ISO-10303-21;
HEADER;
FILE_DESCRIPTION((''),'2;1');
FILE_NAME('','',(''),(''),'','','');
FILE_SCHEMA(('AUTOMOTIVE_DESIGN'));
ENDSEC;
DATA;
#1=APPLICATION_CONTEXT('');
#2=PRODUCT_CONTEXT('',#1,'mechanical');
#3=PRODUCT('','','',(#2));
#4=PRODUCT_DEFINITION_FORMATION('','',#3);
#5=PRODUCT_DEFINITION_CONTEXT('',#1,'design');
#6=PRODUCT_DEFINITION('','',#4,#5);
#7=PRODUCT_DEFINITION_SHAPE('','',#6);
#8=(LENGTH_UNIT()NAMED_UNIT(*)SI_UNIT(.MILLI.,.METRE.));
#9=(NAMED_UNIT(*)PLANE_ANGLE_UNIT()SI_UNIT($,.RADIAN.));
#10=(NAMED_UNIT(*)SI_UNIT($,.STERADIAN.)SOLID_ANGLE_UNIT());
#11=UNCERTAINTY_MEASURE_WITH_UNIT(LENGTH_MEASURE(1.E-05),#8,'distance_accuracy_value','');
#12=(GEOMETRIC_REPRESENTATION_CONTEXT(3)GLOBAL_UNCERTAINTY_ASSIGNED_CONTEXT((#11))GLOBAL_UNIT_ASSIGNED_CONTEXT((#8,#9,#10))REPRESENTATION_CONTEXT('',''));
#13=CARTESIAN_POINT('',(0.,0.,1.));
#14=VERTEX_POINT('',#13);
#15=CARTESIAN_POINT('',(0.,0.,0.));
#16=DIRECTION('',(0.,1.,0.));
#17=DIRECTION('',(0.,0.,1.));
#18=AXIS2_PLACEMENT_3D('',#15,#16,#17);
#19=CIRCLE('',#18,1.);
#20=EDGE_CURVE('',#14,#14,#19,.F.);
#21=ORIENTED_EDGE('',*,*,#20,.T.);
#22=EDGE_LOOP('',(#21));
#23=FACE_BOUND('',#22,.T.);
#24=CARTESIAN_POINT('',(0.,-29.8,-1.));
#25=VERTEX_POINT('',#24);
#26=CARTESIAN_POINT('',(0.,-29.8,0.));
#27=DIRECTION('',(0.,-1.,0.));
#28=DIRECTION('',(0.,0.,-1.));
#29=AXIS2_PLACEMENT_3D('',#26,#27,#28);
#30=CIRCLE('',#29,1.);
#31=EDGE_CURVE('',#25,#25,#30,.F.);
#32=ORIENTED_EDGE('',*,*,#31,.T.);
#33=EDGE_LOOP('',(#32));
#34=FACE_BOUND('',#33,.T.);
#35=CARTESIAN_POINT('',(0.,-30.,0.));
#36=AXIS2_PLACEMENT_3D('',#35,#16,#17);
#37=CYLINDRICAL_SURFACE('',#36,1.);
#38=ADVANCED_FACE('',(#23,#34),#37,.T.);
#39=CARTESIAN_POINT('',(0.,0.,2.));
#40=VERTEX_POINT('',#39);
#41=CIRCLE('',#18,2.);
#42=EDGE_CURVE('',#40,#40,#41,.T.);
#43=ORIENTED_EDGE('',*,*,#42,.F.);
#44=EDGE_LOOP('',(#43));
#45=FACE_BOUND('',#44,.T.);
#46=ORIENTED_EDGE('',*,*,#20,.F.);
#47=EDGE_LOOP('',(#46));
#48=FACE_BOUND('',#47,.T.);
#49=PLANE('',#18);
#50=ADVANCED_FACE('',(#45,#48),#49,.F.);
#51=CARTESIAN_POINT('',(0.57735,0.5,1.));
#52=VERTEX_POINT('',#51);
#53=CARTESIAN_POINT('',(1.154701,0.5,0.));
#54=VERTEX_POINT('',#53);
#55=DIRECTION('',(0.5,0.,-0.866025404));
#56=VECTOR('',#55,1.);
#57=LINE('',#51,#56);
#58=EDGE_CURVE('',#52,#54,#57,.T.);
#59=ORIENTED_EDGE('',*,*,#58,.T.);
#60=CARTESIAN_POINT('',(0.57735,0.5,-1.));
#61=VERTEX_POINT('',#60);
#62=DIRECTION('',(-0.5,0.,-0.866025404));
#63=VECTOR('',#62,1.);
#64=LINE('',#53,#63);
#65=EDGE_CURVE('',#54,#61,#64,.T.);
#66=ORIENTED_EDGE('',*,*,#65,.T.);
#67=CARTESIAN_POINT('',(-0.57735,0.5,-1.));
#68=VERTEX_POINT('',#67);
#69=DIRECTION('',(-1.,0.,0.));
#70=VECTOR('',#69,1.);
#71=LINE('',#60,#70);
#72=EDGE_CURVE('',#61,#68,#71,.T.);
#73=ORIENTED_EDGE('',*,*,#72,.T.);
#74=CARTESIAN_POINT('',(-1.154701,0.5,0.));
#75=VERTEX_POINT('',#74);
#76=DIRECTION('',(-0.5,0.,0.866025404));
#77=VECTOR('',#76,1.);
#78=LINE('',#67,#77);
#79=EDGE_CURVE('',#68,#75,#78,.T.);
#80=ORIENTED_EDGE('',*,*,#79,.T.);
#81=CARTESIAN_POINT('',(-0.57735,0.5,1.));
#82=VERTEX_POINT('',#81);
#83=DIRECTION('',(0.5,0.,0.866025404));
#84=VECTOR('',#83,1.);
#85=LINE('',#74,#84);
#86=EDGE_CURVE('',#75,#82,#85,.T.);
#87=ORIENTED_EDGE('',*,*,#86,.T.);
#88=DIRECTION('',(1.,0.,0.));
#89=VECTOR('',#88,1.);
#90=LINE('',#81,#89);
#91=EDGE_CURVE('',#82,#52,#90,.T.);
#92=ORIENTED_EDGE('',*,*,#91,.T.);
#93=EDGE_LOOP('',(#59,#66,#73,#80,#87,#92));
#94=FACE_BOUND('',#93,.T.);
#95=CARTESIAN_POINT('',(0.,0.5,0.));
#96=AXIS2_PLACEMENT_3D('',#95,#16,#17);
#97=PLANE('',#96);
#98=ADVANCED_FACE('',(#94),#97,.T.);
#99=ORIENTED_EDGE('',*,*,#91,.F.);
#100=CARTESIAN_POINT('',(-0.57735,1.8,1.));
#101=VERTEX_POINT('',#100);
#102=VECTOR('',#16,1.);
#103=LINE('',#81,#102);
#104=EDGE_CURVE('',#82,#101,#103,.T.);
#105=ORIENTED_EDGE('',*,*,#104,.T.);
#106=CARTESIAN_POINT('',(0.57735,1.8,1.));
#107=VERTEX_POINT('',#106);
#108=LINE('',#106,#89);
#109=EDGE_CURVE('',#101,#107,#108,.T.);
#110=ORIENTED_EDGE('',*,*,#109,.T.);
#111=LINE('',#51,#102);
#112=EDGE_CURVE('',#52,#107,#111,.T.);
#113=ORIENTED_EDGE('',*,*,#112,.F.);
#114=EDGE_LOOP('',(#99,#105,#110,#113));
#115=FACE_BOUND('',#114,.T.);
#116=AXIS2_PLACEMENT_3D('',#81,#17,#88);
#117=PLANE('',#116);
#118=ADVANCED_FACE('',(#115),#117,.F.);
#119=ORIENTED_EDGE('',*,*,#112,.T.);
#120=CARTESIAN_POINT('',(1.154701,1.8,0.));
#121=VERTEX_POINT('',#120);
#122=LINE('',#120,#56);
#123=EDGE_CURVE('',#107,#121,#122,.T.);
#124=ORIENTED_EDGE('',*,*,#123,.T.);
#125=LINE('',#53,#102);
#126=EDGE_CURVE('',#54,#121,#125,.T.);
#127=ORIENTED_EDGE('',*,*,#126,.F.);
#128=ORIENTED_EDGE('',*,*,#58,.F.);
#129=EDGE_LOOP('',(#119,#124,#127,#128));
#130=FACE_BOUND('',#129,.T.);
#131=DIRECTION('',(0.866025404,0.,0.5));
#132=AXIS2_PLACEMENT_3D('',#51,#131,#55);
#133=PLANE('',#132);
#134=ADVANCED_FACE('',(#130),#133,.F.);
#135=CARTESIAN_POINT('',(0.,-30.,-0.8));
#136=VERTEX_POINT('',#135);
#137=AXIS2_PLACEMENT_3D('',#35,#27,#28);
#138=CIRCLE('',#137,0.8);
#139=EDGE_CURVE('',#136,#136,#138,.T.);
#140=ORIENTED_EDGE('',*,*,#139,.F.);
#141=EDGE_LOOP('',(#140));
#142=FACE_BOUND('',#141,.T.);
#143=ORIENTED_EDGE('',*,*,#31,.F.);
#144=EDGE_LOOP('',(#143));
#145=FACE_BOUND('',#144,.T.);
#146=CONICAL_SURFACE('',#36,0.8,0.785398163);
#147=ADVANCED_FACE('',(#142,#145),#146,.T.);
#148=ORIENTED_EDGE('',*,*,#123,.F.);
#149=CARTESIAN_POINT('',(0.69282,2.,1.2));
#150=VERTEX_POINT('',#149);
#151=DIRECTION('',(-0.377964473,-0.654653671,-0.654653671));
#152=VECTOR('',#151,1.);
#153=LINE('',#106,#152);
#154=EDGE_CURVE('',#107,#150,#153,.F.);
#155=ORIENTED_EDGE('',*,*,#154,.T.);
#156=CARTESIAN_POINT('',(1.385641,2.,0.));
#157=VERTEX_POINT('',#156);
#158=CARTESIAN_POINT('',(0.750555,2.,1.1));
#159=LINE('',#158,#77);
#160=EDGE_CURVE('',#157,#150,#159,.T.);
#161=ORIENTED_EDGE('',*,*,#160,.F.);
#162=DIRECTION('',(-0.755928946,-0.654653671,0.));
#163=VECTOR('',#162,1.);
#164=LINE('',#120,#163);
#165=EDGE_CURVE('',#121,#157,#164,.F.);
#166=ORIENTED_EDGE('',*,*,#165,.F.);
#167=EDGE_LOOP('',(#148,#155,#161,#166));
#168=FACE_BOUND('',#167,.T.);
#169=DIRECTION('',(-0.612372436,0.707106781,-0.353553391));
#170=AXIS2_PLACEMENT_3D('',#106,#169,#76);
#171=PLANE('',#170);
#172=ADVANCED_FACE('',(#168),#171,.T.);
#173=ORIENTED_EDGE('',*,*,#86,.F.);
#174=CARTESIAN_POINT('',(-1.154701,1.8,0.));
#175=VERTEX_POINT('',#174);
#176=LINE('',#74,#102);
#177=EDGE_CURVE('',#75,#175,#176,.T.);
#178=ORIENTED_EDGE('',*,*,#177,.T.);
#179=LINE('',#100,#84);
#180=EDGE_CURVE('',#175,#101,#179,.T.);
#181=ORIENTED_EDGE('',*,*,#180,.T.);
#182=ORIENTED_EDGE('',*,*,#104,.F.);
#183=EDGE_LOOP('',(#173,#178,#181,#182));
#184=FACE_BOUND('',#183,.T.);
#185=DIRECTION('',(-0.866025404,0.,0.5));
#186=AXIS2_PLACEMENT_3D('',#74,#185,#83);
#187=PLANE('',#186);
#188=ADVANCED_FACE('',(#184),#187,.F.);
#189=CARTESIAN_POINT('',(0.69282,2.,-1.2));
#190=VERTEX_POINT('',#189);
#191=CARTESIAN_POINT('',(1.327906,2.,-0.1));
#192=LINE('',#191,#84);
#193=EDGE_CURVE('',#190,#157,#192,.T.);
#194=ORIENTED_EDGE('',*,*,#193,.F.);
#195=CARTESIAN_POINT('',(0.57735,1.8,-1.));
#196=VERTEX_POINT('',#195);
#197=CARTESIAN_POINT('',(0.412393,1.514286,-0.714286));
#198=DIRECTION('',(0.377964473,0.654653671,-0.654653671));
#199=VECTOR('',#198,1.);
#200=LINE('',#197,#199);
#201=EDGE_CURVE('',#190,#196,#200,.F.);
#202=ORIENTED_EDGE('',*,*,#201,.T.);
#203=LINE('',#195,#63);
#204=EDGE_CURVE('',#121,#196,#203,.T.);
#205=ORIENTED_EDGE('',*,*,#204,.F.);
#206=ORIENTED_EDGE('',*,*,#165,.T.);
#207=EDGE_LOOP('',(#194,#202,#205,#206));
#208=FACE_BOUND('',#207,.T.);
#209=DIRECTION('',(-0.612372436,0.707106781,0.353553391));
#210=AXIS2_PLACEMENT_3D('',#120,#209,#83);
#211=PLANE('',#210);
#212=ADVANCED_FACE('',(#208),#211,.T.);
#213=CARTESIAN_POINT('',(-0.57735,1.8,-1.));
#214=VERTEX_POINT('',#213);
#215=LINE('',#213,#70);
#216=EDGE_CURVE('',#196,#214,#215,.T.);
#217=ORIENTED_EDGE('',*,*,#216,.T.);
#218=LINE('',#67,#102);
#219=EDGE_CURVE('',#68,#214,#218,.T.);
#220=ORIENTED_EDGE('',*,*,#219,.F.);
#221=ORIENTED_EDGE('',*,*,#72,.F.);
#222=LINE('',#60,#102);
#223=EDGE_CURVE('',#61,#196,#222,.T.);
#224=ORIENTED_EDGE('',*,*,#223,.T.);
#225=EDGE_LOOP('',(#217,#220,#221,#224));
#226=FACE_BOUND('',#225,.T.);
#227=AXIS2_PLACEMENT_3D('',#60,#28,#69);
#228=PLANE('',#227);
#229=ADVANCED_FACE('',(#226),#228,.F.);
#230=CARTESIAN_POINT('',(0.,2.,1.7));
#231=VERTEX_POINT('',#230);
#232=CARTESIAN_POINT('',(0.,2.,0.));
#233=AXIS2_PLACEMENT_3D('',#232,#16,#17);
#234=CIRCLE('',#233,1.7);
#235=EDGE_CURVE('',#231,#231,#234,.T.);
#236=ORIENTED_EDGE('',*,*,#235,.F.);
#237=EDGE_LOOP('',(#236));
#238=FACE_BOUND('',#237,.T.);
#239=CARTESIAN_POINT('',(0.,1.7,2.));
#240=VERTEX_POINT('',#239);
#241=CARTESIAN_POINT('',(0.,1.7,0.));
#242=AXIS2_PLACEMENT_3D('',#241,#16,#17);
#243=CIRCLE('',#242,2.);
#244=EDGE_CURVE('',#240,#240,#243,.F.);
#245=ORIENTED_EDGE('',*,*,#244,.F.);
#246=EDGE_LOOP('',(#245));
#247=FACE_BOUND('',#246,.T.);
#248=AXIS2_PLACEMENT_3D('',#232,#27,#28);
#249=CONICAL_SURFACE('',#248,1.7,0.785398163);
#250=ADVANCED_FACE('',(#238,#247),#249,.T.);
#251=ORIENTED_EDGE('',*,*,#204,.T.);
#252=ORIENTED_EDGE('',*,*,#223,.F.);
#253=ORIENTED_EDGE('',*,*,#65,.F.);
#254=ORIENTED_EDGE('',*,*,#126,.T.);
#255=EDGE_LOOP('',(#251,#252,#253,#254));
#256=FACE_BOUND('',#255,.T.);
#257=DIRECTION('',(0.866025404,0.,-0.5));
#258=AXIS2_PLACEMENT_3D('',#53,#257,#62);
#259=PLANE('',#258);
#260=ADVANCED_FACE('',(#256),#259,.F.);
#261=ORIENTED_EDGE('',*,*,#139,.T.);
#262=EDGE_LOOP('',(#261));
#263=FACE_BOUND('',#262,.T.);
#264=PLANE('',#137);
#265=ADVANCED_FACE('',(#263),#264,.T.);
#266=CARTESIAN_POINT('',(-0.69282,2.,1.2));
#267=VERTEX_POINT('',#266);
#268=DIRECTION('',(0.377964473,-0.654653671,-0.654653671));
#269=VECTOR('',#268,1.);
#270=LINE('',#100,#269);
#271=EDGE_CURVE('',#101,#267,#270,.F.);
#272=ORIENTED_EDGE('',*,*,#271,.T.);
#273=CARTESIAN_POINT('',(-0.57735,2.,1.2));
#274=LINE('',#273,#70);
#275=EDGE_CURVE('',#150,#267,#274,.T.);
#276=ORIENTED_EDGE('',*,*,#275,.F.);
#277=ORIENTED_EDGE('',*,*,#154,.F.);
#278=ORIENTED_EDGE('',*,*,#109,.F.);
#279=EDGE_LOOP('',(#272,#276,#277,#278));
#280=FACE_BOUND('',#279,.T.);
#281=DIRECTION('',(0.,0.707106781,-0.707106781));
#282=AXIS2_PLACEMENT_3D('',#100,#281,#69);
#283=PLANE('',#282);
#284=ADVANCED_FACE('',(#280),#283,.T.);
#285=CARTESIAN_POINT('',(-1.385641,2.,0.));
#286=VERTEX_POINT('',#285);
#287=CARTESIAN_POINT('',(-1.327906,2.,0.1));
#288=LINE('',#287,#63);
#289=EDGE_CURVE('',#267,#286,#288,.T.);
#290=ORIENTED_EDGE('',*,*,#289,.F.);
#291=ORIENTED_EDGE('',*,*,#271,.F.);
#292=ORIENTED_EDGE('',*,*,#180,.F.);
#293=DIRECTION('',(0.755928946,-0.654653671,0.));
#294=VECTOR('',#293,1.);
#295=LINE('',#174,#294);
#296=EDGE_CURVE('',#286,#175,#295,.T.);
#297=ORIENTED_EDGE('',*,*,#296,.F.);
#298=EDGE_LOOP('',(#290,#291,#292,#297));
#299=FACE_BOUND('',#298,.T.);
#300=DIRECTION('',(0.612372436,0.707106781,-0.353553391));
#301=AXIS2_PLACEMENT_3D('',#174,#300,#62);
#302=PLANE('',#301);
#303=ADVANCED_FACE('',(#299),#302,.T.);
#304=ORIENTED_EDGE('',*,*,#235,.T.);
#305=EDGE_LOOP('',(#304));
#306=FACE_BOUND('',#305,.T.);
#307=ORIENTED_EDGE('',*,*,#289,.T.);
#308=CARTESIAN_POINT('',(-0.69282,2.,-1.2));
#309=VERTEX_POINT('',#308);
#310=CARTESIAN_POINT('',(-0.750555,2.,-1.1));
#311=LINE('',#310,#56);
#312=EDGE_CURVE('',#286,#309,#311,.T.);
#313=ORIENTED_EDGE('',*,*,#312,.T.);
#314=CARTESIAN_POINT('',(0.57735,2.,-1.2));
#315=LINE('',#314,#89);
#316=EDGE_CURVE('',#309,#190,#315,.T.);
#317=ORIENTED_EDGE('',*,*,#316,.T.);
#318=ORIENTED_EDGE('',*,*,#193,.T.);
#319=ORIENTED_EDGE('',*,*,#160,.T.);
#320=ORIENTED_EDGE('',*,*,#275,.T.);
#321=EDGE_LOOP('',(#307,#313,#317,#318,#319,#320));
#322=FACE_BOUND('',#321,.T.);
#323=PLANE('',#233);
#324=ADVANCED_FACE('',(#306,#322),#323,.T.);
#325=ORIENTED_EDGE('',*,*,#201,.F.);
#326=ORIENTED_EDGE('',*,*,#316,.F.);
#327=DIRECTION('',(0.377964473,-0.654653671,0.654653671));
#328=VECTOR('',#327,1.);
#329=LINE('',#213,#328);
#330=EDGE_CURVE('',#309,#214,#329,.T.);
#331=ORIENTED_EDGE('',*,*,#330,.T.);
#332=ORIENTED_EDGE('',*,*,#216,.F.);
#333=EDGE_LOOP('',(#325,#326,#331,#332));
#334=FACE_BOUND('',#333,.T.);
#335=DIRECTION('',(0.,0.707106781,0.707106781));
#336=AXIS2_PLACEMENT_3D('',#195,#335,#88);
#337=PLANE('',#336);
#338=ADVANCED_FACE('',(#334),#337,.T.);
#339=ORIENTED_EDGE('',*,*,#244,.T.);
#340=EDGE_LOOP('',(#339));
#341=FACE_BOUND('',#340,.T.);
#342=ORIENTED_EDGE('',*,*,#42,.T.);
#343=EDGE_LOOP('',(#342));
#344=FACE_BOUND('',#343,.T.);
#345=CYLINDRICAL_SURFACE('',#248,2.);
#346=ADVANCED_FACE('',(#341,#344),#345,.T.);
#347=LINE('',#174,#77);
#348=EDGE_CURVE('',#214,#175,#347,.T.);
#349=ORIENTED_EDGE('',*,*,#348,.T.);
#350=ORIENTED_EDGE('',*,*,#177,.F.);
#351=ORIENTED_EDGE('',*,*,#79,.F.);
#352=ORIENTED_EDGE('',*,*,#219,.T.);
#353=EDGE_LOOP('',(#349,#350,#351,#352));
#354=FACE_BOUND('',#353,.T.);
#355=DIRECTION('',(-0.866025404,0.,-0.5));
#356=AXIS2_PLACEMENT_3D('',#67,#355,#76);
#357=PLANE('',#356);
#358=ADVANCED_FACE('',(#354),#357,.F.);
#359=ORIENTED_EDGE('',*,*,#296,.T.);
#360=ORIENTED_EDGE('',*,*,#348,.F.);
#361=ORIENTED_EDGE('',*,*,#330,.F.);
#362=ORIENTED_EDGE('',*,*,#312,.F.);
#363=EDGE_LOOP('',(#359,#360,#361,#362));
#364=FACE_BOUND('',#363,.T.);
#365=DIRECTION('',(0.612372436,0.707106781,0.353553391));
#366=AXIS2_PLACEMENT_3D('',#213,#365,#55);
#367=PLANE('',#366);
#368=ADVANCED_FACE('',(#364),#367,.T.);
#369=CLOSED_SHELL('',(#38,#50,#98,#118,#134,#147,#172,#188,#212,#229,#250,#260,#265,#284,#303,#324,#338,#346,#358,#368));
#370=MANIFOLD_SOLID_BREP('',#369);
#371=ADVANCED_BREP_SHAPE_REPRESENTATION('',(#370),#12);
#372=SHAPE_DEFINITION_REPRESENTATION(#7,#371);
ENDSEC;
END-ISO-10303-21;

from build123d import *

# Parameters (mm, degrees)
SKETCH1_R           = 2
BOSS_EXTRUDE1_DEPTH = 2
CHAMFER1_SIZE       = 0.3
CUT_EXTRUDE1_DEPTH  = 1.5
CHAMFER2_SIZE       = 0.2
SKETCH3_R           = 1
BOSS_EXTRUDE2_DEPTH = 30
CHAMFER3_SIZE       = 0.2


with BuildPart() as part:
    # Sketch1 → Boss-Extrude1 (new body)
    with BuildSketch(Plane(origin=(0, 0, 0), x_dir=(1, 0, 0), z_dir=(0, 1, 0))):
        with Locations(Location((0, 0, 0), (0, 0, 270))):  # turned: the seam where the file's is
            Circle(SKETCH1_R)
    extrude(amount=BOSS_EXTRUDE1_DEPTH)

    # Chamfer1
    chamfer1_edges = [part.edges().sort_by_distance(p)[0] for p in [
        (0, 2, -2),
    ]]
    chamfer(chamfer1_edges, length=CHAMFER1_SIZE)

    # Sketch2 → Cut-Extrude1 (cut)
    with BuildSketch(Plane(origin=(0, 2, 0), x_dir=(1, 0, 0), z_dir=(0, 1, 0))):
        Polygon((1.154700538, 0), (0.577350269, 1), (-0.577350269, 1), (-1.154700538, 0), (-0.577350269, -1), (0.577350269, -1), align=None)
    extrude(amount=-CUT_EXTRUDE1_DEPTH, mode=Mode.SUBTRACT)

    # Chamfer2
    chamfer2_edges = [part.edges().sort_by_distance(p)[0] for p in [
        (0.866025404, 2, 0.5),
        (0.866025404, 2, -0.5),
        (0, 2, -1),
        (-0.866025404, 2, -0.5),
        (-0.866025404, 2, 0.5),
        (0, 2, 1),
    ]]
    chamfer(chamfer2_edges, length=CHAMFER2_SIZE)

    # Sketch3 → Boss-Extrude2 (add)
    with BuildSketch(Plane.XZ):
        with Locations(Location((0, 0, 0), (0, 0, 90))):  # turned: the seam where the file's is
            Circle(SKETCH3_R)
    extrude(amount=BOSS_EXTRUDE2_DEPTH)

    # Chamfer3
    chamfer3_edges = [part.edges().sort_by_distance(p)[0] for p in [
        (0, -30, -1),
    ]]
    chamfer(chamfer3_edges, length=CHAMFER3_SIZE)


solid = part.part
